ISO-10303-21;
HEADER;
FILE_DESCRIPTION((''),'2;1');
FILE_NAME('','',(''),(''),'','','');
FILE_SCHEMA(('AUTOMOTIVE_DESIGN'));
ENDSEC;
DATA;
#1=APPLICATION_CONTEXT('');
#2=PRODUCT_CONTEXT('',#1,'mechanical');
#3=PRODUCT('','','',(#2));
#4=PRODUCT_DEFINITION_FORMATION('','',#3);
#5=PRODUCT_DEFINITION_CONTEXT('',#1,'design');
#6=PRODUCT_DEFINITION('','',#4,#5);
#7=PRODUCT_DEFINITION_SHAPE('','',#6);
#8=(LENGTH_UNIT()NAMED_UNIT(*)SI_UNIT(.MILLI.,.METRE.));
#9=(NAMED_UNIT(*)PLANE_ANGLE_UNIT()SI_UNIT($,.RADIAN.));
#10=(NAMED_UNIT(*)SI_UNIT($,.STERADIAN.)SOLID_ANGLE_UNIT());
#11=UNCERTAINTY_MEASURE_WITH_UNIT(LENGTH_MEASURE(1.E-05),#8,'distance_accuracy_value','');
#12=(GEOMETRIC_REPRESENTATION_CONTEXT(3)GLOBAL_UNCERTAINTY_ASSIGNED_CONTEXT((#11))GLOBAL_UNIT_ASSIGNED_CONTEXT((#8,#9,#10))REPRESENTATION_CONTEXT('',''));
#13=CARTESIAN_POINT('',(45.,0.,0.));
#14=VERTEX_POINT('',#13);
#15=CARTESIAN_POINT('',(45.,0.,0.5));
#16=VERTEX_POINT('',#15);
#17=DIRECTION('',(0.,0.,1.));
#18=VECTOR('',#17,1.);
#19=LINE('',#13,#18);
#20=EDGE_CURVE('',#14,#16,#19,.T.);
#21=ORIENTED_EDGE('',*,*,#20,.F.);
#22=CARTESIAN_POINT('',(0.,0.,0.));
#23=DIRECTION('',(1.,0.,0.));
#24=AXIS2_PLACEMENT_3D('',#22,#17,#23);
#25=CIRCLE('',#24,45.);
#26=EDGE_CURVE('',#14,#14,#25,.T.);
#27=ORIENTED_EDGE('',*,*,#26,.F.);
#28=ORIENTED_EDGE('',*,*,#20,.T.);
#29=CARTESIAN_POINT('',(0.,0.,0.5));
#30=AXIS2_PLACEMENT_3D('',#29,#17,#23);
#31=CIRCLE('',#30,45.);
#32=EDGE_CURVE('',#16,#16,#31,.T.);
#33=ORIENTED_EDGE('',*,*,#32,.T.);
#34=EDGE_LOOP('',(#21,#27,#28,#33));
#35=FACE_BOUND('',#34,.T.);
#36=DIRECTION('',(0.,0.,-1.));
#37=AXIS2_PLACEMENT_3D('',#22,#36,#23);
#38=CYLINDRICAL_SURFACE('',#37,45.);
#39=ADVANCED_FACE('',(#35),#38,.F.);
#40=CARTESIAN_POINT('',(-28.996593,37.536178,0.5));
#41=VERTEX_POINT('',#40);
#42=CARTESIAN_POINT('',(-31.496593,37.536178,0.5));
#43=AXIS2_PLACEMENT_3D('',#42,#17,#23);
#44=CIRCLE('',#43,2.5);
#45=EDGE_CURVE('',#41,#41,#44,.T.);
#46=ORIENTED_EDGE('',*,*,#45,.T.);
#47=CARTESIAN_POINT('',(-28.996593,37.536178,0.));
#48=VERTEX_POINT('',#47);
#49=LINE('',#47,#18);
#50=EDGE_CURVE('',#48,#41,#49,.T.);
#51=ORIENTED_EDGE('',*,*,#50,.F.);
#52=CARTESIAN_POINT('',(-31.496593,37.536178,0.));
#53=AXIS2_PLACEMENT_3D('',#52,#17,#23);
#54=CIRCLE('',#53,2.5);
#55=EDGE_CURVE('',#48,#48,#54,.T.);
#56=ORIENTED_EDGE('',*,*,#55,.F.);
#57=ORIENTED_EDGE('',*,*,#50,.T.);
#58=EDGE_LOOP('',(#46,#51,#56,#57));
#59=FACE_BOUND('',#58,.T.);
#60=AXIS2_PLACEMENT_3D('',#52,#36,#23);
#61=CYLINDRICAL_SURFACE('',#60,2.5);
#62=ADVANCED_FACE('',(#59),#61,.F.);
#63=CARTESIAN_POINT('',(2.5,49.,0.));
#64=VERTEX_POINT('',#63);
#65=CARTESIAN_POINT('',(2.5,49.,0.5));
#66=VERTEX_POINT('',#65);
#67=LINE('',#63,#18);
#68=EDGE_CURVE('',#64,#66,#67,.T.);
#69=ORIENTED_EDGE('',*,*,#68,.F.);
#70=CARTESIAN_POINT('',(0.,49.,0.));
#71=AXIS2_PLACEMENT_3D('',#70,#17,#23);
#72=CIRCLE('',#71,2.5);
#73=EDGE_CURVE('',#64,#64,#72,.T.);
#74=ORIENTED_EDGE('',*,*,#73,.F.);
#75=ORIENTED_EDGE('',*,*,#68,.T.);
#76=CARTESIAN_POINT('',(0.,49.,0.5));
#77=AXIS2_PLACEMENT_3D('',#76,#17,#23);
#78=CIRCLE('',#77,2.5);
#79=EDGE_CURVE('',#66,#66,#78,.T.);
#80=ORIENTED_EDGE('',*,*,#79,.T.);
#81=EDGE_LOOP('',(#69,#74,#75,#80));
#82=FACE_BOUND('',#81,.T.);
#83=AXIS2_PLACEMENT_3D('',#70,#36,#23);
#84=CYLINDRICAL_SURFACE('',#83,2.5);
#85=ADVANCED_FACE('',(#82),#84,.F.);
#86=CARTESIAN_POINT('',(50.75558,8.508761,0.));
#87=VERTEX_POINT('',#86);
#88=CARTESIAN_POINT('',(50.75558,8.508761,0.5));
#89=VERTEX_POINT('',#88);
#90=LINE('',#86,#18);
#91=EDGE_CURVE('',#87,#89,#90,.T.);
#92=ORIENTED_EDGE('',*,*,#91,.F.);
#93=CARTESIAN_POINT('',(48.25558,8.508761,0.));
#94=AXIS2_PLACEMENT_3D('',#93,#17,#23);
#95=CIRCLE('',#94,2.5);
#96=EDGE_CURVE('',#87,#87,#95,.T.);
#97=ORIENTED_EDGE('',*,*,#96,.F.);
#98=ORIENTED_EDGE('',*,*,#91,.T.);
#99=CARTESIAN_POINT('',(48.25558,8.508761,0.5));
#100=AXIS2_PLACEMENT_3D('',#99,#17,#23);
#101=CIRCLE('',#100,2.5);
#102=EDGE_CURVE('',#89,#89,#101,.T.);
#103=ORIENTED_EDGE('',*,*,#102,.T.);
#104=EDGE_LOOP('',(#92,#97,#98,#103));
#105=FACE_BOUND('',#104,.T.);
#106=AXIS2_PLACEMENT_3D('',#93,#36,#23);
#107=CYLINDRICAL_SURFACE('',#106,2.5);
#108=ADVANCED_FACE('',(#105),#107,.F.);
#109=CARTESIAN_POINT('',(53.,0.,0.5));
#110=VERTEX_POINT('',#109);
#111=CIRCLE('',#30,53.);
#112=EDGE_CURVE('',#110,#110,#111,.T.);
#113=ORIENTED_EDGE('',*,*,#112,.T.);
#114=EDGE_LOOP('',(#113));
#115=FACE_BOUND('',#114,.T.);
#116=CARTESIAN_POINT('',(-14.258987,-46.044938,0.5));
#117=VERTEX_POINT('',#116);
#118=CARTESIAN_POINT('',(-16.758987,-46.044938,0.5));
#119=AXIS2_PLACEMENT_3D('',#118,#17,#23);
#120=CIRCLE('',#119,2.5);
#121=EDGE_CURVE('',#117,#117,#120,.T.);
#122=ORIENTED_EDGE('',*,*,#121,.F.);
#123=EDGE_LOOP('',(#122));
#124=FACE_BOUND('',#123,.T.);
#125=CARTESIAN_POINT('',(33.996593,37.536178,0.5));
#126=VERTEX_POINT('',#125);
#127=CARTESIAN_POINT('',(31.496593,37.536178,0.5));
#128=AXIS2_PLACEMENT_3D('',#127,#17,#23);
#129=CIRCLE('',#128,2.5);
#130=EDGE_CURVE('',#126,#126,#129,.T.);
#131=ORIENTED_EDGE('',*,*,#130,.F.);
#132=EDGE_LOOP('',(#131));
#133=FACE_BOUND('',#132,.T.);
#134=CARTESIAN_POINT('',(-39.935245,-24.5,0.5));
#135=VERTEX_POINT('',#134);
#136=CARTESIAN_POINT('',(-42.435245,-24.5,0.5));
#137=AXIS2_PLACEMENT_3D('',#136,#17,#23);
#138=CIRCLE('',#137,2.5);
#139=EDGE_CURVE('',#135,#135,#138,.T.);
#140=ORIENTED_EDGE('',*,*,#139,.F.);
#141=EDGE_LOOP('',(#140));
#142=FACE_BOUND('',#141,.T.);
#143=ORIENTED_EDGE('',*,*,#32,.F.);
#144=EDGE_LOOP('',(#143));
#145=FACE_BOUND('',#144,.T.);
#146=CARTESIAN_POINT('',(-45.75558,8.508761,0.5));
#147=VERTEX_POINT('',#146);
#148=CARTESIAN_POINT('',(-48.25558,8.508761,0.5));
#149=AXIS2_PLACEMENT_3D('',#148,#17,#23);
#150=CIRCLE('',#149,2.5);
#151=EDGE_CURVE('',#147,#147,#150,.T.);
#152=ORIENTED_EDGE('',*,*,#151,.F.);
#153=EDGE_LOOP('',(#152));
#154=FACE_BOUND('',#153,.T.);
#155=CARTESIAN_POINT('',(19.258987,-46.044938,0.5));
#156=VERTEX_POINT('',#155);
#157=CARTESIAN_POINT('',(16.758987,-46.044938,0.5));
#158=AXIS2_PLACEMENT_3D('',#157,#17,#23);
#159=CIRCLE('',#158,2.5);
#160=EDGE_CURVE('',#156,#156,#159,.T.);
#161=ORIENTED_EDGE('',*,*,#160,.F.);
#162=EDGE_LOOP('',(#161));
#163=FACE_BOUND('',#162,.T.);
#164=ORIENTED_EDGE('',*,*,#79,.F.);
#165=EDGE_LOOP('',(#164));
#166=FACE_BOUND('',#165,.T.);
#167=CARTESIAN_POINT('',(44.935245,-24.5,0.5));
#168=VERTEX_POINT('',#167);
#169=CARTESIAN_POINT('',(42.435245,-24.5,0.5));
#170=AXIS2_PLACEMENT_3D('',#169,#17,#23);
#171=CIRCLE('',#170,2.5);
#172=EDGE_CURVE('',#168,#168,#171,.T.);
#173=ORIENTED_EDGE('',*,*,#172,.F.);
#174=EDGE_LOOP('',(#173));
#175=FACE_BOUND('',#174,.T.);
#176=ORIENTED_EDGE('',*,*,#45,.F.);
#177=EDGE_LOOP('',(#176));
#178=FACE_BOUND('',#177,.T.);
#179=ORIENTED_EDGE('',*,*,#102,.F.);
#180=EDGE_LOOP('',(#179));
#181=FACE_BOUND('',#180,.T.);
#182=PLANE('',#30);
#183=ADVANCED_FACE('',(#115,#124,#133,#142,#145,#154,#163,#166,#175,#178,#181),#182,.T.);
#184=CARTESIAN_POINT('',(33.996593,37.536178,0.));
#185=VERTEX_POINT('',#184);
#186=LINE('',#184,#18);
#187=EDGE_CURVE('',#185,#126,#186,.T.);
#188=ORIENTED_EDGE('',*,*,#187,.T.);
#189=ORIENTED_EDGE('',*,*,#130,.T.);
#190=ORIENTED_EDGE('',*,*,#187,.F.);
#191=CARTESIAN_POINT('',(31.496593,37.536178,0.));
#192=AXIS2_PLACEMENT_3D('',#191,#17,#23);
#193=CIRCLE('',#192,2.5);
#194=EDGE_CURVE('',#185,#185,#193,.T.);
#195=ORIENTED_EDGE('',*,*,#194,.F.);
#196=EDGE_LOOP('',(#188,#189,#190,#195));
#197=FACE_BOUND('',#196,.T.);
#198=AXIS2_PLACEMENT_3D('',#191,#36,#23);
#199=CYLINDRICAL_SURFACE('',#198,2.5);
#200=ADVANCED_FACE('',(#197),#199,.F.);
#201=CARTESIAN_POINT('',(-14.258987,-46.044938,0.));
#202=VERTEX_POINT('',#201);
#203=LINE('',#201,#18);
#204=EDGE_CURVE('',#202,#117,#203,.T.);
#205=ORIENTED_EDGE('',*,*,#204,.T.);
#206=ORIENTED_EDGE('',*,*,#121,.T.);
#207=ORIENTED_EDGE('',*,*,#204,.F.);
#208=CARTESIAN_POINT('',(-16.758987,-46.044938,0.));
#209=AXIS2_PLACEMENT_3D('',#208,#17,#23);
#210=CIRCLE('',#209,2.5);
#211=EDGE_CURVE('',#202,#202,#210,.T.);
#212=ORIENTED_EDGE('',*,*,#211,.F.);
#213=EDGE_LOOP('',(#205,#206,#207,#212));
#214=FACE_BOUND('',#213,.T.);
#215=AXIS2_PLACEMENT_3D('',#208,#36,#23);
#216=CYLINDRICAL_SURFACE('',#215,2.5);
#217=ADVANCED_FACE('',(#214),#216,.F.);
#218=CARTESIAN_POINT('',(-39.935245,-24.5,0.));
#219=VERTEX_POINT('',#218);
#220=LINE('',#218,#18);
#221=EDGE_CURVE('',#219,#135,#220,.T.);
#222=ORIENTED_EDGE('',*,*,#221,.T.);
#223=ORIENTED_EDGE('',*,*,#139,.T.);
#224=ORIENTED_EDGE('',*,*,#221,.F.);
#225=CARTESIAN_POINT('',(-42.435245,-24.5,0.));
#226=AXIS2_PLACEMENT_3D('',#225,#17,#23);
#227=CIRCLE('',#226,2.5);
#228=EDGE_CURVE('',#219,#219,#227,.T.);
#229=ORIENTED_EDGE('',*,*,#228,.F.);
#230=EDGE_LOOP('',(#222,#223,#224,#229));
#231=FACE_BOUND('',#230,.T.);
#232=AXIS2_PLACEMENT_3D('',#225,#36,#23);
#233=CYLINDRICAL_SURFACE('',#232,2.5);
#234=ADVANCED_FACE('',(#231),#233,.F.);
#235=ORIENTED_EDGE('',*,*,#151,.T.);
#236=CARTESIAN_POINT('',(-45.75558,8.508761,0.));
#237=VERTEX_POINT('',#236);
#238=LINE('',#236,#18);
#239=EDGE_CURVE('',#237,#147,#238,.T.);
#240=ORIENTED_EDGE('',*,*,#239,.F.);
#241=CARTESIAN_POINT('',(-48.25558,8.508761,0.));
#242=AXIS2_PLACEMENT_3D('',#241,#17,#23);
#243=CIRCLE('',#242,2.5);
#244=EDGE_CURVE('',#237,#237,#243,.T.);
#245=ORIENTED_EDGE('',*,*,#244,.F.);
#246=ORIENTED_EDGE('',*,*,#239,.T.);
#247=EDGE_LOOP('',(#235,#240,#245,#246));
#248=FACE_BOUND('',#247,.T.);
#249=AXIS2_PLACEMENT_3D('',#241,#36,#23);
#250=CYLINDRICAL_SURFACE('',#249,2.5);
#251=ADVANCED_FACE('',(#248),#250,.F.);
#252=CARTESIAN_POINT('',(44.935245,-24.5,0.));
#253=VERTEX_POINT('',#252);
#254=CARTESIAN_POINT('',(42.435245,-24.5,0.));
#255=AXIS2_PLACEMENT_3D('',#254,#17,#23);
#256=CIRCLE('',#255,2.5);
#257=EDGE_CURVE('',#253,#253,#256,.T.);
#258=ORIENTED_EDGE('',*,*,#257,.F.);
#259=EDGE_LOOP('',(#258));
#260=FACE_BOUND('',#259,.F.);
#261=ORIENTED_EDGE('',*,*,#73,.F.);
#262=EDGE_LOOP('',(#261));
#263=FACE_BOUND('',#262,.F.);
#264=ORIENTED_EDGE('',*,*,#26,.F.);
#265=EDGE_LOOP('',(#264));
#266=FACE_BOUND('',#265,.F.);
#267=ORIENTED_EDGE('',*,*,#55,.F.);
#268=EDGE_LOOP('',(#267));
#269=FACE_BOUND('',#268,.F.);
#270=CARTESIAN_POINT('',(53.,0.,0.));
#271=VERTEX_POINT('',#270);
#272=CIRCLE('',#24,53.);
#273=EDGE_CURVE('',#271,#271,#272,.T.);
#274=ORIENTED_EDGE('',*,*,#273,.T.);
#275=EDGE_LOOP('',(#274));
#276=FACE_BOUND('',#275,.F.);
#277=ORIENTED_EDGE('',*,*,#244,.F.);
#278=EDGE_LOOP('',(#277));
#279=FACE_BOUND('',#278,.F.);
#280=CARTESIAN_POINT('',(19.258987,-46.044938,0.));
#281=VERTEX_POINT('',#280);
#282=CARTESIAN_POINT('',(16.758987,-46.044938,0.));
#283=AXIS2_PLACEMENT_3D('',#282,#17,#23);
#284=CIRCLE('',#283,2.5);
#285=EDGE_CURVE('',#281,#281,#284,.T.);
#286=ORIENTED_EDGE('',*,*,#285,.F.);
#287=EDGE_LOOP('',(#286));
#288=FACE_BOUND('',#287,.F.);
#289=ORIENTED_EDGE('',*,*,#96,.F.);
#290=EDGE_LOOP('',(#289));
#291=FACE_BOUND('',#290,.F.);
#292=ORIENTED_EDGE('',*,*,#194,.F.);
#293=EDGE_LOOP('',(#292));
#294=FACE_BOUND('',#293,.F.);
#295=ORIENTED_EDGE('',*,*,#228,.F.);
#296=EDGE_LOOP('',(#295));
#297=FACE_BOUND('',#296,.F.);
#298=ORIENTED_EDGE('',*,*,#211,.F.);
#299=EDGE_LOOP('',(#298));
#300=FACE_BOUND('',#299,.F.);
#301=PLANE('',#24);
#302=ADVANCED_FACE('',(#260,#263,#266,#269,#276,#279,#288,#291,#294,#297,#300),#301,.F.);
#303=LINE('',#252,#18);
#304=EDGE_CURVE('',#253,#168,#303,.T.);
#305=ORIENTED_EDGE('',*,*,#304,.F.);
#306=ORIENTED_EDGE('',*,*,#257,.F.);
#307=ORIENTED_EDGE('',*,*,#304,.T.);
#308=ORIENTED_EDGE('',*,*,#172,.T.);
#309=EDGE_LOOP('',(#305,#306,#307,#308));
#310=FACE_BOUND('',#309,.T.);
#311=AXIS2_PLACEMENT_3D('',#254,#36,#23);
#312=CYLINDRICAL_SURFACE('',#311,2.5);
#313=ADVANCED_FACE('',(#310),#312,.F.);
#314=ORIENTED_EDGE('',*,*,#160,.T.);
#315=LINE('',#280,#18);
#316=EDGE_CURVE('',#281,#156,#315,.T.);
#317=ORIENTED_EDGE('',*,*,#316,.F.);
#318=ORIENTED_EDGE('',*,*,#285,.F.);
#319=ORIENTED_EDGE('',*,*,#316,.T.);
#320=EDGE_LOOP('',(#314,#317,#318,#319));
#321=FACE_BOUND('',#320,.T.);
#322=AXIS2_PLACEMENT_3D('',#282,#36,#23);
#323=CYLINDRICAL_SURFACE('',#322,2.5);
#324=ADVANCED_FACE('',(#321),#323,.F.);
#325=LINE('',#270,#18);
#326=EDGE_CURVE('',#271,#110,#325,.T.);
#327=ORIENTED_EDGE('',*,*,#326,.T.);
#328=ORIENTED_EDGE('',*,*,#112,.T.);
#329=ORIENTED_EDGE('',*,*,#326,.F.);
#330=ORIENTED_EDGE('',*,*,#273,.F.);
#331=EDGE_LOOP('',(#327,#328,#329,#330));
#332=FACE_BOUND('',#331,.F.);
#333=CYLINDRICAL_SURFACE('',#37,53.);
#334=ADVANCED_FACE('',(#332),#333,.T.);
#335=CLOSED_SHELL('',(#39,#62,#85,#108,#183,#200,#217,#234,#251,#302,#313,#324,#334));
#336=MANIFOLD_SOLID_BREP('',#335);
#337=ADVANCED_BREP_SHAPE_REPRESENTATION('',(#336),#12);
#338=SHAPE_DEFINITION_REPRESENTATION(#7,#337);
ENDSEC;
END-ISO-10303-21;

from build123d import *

# Parameters (mm, degrees)
SKETCH_R   = 53
SKETCH_R_2 = 45
SKETCH_R_3 = 2.5
PAD_DEPTH  = 0.5


with BuildPart() as part:
    # Sketch → Pad (new body)
    with BuildSketch(Plane.XY):
        Circle(SKETCH_R)
        Circle(SKETCH_R_2, mode=Mode.SUBTRACT)
        with Locations((31.496593, 37.536178)):
            Circle(SKETCH_R_3, mode=Mode.SUBTRACT)
        with Locations((48.25558, 8.508761)):
            Circle(SKETCH_R_3, mode=Mode.SUBTRACT)
        with Locations((42.435245, -24.5)):
            Circle(SKETCH_R_3, mode=Mode.SUBTRACT)
        with Locations((16.758987, -46.044938)):
            Circle(SKETCH_R_3, mode=Mode.SUBTRACT)
        with Locations((-16.758987, -46.044938)):
            Circle(SKETCH_R_3, mode=Mode.SUBTRACT)
        with Locations((-42.435245, -24.5)):
            Circle(SKETCH_R_3, mode=Mode.SUBTRACT)
        with Locations((-48.25558, 8.508761)):
            Circle(SKETCH_R_3, mode=Mode.SUBTRACT)
        with Locations((-31.496593, 37.536178)):
            Circle(SKETCH_R_3, mode=Mode.SUBTRACT)
        with Locations((0, 49)):
            Circle(SKETCH_R_3, mode=Mode.SUBTRACT)
    extrude(amount=PAD_DEPTH)


solid = part.part
